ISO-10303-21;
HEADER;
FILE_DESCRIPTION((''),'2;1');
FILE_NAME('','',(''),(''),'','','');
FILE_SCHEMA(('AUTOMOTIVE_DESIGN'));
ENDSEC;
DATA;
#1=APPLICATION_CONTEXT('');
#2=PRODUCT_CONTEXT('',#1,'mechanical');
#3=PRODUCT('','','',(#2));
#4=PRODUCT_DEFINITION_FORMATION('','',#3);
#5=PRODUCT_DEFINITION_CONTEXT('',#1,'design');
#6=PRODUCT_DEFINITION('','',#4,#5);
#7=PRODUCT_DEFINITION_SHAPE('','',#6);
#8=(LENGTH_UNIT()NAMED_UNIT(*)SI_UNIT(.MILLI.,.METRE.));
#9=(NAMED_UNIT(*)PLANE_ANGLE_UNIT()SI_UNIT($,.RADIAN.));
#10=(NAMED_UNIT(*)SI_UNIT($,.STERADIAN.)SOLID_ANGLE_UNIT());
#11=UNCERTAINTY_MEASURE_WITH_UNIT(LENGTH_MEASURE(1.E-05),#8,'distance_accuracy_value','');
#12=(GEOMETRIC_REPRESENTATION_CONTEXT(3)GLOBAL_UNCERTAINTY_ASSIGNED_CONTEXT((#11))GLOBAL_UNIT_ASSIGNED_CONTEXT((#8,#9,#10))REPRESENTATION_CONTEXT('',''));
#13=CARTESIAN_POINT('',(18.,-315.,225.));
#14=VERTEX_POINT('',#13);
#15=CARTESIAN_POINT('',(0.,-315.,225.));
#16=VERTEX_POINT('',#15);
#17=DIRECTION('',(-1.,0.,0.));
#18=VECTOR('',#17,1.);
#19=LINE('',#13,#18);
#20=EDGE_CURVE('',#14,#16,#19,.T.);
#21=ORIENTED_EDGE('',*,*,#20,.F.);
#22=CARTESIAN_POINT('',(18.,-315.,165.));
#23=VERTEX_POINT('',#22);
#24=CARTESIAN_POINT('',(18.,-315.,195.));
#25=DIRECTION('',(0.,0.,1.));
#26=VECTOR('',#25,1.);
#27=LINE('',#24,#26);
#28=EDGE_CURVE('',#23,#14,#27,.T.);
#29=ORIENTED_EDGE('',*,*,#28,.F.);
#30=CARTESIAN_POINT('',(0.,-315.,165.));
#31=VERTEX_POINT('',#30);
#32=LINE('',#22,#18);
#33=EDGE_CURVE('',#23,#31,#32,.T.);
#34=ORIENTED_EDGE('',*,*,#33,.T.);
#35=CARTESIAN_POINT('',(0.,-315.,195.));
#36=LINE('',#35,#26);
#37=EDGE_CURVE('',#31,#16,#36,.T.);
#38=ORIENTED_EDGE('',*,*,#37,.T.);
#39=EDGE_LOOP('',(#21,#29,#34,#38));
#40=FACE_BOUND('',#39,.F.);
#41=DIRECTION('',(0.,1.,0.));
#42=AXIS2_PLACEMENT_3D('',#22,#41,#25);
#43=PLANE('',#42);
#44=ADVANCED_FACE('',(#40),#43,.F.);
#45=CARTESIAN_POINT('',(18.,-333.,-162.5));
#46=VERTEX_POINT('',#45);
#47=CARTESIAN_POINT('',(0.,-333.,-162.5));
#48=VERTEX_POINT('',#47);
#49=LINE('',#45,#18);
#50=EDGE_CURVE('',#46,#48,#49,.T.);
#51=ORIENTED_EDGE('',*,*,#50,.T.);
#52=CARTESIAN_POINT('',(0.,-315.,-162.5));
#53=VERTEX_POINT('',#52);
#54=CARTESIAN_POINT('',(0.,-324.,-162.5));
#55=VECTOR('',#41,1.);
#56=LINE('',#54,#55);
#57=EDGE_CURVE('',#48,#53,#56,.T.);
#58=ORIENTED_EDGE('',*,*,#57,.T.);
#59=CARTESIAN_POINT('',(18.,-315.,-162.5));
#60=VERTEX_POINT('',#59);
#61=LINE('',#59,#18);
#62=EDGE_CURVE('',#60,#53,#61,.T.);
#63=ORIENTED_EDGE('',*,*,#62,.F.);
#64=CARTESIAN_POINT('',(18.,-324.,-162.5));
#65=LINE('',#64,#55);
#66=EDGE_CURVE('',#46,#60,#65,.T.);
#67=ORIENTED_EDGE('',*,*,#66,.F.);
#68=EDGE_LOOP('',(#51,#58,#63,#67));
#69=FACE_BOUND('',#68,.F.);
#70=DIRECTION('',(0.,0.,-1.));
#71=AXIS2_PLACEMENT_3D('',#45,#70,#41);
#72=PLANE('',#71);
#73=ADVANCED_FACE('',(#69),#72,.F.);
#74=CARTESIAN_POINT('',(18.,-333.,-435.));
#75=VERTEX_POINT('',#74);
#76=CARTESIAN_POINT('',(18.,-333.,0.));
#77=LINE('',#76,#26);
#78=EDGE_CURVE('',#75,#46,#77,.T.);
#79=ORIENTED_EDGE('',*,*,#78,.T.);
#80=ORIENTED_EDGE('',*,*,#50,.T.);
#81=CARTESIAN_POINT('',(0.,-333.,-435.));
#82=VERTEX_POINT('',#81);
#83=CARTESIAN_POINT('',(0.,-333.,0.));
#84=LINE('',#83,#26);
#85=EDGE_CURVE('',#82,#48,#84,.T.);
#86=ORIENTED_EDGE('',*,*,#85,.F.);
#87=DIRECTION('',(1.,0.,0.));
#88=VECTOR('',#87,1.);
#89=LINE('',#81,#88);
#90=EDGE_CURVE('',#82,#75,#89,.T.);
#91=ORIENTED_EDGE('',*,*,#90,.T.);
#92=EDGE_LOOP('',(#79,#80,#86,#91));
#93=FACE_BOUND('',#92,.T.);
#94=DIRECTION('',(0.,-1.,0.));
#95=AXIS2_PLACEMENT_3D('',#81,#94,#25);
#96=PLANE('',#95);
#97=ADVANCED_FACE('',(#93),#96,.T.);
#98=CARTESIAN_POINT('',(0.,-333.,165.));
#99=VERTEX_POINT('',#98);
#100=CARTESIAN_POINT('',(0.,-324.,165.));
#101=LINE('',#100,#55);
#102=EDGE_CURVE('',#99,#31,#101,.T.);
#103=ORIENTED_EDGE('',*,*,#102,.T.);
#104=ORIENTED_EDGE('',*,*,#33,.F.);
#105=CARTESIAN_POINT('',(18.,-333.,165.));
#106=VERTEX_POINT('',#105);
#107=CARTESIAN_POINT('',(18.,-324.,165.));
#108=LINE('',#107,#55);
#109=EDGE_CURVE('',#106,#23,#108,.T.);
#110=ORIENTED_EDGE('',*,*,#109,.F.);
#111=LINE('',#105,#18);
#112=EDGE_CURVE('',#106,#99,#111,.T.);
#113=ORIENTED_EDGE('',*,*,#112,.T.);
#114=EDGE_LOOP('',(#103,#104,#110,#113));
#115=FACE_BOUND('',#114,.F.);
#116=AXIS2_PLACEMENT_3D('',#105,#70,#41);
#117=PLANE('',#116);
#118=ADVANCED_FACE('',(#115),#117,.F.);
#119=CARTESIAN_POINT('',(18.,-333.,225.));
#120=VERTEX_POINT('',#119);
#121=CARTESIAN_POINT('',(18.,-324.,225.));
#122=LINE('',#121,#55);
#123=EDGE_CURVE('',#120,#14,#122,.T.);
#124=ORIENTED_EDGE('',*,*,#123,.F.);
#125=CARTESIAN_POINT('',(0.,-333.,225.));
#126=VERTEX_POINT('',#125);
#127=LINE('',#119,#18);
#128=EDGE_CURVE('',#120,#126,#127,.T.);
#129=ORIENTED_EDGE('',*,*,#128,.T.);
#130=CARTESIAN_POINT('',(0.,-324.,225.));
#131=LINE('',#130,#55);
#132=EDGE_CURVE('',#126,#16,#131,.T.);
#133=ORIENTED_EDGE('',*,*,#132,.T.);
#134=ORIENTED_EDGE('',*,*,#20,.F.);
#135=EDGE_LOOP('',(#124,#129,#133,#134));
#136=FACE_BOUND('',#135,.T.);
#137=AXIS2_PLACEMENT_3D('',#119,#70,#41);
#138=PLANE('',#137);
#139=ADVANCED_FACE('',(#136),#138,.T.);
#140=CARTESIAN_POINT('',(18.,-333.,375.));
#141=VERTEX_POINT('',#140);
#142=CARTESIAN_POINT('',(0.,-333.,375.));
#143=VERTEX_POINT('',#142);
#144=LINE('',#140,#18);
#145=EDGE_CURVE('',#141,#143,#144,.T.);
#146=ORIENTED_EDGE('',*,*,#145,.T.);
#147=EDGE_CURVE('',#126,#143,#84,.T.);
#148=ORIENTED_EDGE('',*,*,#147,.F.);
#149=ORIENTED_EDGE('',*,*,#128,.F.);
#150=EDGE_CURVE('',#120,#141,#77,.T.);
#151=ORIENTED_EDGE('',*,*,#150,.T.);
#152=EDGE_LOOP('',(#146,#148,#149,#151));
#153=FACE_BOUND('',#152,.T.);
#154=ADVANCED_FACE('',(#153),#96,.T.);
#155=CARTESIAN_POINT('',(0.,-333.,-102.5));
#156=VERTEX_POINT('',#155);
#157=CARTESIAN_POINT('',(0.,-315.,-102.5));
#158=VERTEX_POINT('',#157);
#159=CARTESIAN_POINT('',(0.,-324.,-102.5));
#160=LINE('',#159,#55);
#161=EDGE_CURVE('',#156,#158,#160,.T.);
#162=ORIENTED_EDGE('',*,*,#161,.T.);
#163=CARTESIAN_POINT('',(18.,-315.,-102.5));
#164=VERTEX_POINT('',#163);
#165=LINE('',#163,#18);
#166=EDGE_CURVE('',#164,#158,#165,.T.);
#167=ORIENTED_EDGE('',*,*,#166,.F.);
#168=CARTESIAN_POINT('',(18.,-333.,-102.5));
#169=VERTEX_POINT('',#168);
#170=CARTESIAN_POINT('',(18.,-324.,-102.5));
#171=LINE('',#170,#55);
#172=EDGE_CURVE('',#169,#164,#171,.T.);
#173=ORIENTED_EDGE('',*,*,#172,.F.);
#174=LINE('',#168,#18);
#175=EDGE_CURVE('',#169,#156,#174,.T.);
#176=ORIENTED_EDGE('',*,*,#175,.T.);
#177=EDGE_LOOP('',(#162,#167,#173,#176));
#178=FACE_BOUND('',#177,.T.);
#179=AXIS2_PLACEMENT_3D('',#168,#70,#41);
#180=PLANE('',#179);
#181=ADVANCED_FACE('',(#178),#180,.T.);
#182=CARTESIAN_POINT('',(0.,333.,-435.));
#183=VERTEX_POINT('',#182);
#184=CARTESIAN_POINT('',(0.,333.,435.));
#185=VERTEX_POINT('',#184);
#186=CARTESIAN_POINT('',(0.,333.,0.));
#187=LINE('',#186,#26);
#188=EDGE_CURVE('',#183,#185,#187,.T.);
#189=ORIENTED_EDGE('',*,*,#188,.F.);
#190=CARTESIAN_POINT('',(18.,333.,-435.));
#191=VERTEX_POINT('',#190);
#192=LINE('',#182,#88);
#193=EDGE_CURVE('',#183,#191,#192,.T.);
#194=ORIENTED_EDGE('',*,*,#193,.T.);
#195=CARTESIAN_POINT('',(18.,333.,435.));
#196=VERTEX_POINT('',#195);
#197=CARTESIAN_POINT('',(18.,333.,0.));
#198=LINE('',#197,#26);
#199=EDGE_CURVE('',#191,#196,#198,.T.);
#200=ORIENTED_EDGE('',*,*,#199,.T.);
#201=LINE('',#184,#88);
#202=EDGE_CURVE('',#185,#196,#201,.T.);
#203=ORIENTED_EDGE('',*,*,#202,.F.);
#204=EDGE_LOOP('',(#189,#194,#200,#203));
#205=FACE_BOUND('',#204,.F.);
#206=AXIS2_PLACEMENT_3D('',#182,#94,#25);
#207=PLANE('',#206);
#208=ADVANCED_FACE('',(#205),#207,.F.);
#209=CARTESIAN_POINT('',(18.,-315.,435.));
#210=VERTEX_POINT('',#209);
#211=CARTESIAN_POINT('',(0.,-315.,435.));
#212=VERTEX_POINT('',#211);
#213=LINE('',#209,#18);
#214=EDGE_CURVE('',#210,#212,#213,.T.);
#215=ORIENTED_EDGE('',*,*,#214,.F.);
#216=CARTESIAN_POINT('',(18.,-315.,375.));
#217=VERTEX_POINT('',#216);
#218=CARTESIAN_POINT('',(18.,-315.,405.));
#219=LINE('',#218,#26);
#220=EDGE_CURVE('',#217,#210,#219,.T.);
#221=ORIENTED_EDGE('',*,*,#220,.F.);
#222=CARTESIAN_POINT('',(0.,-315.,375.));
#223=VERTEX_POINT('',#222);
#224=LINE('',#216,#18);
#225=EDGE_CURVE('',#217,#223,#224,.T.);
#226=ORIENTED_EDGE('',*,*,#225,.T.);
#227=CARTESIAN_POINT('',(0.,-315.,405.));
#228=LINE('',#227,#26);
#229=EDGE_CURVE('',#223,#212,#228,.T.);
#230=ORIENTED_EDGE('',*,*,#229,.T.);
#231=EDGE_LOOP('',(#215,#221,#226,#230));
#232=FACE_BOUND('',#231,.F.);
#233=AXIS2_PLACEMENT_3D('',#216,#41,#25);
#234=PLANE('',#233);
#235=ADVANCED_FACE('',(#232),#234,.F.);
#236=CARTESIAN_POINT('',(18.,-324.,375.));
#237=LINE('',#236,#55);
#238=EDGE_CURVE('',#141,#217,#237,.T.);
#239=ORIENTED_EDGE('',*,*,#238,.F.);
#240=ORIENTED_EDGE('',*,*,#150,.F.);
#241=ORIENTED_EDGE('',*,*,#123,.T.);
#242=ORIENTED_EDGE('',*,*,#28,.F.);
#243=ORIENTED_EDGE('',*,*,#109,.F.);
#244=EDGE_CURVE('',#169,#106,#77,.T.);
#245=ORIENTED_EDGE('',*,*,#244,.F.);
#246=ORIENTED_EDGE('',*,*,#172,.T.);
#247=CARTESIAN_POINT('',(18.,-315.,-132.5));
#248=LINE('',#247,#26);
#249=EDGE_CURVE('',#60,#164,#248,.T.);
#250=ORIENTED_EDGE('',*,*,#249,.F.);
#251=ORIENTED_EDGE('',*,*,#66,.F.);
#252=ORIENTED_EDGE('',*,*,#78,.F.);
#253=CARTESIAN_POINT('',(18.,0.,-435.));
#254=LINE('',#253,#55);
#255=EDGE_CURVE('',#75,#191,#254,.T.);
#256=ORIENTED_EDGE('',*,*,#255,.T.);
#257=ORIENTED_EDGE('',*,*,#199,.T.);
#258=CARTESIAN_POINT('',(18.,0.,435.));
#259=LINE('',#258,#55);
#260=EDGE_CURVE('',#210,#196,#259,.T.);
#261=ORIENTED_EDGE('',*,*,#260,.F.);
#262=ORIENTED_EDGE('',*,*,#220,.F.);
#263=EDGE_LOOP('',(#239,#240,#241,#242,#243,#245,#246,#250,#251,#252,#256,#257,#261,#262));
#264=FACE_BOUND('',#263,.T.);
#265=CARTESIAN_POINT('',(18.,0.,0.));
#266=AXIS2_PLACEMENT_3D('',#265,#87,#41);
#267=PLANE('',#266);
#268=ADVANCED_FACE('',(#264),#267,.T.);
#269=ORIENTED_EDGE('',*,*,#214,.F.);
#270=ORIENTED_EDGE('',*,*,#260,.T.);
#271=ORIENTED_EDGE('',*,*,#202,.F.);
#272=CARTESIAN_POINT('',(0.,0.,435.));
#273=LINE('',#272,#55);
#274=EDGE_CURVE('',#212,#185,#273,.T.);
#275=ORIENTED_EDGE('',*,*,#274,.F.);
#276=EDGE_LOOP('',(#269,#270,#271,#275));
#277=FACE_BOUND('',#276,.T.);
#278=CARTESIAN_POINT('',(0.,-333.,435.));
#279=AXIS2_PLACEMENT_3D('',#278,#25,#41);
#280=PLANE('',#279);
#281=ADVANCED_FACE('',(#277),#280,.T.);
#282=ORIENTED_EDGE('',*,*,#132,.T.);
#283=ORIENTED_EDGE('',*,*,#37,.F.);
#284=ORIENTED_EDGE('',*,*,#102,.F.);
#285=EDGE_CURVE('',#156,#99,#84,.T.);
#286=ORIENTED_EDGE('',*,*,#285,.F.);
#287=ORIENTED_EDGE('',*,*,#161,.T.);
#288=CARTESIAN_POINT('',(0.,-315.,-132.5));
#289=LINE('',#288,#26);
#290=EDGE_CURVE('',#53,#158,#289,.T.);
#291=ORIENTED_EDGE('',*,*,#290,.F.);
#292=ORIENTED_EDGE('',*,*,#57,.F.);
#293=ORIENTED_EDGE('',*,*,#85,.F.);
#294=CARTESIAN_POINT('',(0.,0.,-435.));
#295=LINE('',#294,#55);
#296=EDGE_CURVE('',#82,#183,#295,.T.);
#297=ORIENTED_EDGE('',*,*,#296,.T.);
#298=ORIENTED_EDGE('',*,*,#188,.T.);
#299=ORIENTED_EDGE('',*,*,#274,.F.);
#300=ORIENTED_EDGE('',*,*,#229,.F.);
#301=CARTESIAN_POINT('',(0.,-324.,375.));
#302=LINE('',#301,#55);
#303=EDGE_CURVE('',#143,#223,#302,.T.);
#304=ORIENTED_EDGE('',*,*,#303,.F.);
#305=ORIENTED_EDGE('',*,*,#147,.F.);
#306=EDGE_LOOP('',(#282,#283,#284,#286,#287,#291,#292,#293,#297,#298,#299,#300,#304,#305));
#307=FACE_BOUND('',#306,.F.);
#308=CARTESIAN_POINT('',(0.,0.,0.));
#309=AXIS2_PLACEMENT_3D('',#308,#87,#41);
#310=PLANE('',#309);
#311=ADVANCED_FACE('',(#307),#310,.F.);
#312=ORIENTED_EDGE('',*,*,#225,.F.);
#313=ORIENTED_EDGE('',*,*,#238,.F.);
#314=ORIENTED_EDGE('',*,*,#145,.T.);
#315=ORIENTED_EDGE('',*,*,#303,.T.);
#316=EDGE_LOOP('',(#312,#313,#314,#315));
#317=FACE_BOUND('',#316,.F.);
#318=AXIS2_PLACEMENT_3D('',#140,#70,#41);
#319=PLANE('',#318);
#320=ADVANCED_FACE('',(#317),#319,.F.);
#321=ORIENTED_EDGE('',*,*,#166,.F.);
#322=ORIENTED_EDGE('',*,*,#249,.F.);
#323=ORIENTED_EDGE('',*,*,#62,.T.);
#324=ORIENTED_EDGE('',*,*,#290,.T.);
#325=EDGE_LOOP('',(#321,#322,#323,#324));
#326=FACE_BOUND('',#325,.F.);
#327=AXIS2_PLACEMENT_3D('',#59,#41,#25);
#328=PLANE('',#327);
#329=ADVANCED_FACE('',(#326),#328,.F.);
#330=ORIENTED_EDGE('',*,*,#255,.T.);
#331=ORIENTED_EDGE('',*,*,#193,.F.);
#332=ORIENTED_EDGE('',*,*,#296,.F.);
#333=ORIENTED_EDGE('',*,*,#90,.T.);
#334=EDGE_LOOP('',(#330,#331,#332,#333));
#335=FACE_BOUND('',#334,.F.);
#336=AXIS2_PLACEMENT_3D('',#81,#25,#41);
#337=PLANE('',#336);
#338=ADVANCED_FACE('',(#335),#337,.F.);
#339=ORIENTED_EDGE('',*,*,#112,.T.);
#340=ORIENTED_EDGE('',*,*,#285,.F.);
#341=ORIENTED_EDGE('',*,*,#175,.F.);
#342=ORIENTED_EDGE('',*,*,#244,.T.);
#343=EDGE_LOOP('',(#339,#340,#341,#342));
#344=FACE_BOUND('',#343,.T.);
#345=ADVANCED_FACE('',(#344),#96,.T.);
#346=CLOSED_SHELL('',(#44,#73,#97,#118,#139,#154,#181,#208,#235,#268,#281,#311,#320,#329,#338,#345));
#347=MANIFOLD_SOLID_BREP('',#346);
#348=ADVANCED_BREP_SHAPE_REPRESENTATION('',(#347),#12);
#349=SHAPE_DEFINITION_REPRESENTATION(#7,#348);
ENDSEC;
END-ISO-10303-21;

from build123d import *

# Parameters (mm, degrees)
F0_W     = 666
F0_H     = 870
F1_DEPTH = 18
F2_W     = 18
F2_H     = 60
F3_DEPTH = 18


with BuildPart() as f1:
    # F0 (on Right) → F1 (new body)
    with BuildSketch(Plane.YZ):
        Rectangle(F0_W, F0_H)
    extrude(amount=F1_DEPTH)

    # F2 (on face) → F3 (cut)
    with BuildSketch(Plane.YZ.offset(18)):
        with Locations((-324, 405)):
            Rectangle(F2_W, F2_H)
        with Locations((-324, 195)):
            Rectangle(F2_W, F2_H)
        with Locations((-324, -132.5)):
            Rectangle(F2_W, F2_H)
    extrude(amount=-F3_DEPTH, mode=Mode.SUBTRACT)


solid = f1.part
